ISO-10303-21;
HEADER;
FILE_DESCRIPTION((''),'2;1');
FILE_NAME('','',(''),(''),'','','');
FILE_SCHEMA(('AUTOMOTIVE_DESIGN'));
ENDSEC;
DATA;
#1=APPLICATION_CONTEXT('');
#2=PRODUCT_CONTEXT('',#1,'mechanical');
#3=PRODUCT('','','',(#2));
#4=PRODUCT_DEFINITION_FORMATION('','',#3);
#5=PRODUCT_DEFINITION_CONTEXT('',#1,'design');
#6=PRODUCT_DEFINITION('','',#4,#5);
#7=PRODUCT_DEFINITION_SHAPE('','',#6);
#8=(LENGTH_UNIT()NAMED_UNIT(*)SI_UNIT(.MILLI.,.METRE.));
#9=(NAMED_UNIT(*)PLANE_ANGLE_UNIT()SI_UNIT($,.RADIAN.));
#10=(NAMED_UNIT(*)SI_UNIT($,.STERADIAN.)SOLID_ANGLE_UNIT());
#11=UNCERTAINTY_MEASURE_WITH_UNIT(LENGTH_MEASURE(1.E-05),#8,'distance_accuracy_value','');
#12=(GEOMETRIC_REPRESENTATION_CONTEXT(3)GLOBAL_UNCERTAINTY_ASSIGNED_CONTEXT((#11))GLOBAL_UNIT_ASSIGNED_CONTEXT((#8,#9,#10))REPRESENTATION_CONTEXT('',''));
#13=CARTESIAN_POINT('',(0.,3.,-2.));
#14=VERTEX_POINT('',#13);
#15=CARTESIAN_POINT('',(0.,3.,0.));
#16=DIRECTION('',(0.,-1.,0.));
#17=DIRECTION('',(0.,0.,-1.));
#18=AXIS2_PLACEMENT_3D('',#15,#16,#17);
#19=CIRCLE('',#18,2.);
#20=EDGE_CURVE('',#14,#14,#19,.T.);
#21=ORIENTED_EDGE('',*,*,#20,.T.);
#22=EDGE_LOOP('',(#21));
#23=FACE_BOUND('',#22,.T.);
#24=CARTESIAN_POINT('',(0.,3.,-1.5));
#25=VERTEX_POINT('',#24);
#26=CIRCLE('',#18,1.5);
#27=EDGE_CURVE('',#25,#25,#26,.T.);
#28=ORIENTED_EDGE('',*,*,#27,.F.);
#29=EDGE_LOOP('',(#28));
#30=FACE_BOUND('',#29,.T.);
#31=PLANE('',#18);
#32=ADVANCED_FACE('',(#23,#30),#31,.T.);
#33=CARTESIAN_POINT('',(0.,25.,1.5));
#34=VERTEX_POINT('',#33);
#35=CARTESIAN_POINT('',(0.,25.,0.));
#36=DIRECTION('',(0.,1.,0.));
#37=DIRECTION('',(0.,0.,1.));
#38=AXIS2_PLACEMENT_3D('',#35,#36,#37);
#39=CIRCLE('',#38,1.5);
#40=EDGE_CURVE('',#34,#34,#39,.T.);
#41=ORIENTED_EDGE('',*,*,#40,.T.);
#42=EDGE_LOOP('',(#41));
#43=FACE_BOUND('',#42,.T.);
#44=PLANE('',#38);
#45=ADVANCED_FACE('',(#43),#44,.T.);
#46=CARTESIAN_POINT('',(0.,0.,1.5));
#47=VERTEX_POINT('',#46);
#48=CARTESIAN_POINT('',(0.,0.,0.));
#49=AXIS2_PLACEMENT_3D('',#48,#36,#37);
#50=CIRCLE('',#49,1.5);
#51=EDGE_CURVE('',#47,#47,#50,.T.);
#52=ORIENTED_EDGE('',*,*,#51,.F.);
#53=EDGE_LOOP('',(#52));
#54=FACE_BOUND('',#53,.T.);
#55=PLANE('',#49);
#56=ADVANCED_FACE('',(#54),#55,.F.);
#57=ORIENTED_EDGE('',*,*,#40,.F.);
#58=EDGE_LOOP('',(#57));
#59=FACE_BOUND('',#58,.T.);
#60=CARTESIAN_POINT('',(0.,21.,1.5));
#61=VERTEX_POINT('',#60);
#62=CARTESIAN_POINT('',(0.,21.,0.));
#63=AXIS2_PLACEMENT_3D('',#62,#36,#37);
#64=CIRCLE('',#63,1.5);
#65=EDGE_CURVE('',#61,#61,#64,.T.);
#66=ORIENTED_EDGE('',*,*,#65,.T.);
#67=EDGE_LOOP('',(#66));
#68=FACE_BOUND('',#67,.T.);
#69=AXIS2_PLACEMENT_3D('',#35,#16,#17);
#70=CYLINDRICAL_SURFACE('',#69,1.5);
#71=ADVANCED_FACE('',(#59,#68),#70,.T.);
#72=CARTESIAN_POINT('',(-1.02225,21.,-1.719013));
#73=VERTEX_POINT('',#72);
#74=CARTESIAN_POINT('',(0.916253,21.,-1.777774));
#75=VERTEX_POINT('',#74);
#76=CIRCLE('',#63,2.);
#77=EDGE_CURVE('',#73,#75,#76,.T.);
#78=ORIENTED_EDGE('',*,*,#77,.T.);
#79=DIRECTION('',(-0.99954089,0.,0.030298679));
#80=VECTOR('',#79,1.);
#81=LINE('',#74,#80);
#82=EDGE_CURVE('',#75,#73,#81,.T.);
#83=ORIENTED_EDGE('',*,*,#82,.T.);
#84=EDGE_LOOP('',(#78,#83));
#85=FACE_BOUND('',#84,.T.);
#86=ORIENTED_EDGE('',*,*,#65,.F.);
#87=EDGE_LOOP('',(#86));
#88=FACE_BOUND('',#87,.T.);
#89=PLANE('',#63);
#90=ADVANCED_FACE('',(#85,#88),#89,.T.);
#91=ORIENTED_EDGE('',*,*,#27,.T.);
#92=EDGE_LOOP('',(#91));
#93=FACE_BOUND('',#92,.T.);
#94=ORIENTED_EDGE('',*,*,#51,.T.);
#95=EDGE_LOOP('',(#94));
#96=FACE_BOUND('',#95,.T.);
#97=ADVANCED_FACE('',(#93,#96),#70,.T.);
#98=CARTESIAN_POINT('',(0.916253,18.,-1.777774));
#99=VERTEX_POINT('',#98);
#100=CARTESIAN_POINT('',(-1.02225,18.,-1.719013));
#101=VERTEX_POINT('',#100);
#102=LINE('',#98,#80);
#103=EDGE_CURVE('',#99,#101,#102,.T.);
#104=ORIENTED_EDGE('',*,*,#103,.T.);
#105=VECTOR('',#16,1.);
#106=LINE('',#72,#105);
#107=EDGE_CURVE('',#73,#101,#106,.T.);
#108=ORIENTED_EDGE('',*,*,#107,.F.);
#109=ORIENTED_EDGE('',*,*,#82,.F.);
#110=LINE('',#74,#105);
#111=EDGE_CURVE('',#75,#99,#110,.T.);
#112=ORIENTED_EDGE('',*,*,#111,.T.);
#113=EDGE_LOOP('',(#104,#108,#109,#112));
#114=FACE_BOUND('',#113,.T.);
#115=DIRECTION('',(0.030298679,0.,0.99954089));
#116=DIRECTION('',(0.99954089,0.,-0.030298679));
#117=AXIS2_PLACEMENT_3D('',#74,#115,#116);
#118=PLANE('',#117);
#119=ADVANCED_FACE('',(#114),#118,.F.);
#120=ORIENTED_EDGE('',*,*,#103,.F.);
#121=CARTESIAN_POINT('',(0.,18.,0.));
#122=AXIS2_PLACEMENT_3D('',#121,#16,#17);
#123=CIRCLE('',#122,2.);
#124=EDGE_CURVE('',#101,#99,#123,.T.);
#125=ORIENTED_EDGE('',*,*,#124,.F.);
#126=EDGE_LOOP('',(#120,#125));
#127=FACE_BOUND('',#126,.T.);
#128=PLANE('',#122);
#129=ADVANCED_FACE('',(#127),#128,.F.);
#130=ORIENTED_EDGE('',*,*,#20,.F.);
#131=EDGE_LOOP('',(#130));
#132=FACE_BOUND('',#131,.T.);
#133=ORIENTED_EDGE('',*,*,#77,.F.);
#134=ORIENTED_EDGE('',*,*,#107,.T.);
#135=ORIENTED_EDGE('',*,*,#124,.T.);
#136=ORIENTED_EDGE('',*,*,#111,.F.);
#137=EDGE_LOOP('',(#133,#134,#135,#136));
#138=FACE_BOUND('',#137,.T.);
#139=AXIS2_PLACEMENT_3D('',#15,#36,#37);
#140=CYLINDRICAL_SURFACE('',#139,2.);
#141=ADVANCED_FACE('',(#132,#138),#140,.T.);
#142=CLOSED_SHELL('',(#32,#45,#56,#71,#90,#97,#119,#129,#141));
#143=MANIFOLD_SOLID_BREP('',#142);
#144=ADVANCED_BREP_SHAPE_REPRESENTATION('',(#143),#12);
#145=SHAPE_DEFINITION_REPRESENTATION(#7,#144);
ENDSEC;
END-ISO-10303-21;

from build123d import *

# Parameters (mm, degrees)
SKETCH_1_R      = 1.5
EXTRUDE_1_DEPTH = 25
EXTRUDE_START   = 15
SKETCH_2_R      = 2
SKETCH_2_R_2    = 1.5
EXTRUDE_2_DEPTH = 15
SKETCH_3_R      = 1.5
EXTRUDE_3_DEPTH = 3


with BuildPart() as part:
    # 草图1 → 凸台-拉伸1 (new body)
    with BuildSketch(Plane(origin=(0, 0, 0), x_dir=(1, 0, 0), z_dir=(0, 1, 0))):
        with Locations(Location((0, 0, 0), (0, 0, 270))):
            Circle(SKETCH_1_R)
    extrude(amount=EXTRUDE_1_DEPTH)

    # 草图2 → 凸台-拉伸2 (add)
    with BuildSketch(Plane(origin=(0, 18, 0), x_dir=(-1, 0, 0), z_dir=(0, -1, 0)).offset(EXTRUDE_START)):
        with Locations(Location((0, 0, 0), (0, 0, 90))):
            Circle(SKETCH_2_R)
        with Locations(Location((0, 0, 0), (0, 0, 90))):
            Circle(SKETCH_2_R_2, mode=Mode.SUBTRACT)
    extrude(amount=-EXTRUDE_2_DEPTH)

    # 草图3 → 凸台-拉伸3 (add)
    with BuildSketch(Plane(origin=(0, 18, 0), x_dir=(1, 0, 0), z_dir=(0, 1, 0))):
        with BuildLine():
            Line((0.91625301, 1.777774007), (-1.022249701, 1.719012958))
            ThreePointArc((-1.022249701, 1.719012958), (0.060597358, -1.999081779), (0.91625301, 1.777774007))
        make_face()
        with Locations(Location((0, 0, 0), (0, 0, 90))):
            Circle(SKETCH_3_R, mode=Mode.SUBTRACT)
    extrude(amount=EXTRUDE_3_DEPTH)


solid = part.part
